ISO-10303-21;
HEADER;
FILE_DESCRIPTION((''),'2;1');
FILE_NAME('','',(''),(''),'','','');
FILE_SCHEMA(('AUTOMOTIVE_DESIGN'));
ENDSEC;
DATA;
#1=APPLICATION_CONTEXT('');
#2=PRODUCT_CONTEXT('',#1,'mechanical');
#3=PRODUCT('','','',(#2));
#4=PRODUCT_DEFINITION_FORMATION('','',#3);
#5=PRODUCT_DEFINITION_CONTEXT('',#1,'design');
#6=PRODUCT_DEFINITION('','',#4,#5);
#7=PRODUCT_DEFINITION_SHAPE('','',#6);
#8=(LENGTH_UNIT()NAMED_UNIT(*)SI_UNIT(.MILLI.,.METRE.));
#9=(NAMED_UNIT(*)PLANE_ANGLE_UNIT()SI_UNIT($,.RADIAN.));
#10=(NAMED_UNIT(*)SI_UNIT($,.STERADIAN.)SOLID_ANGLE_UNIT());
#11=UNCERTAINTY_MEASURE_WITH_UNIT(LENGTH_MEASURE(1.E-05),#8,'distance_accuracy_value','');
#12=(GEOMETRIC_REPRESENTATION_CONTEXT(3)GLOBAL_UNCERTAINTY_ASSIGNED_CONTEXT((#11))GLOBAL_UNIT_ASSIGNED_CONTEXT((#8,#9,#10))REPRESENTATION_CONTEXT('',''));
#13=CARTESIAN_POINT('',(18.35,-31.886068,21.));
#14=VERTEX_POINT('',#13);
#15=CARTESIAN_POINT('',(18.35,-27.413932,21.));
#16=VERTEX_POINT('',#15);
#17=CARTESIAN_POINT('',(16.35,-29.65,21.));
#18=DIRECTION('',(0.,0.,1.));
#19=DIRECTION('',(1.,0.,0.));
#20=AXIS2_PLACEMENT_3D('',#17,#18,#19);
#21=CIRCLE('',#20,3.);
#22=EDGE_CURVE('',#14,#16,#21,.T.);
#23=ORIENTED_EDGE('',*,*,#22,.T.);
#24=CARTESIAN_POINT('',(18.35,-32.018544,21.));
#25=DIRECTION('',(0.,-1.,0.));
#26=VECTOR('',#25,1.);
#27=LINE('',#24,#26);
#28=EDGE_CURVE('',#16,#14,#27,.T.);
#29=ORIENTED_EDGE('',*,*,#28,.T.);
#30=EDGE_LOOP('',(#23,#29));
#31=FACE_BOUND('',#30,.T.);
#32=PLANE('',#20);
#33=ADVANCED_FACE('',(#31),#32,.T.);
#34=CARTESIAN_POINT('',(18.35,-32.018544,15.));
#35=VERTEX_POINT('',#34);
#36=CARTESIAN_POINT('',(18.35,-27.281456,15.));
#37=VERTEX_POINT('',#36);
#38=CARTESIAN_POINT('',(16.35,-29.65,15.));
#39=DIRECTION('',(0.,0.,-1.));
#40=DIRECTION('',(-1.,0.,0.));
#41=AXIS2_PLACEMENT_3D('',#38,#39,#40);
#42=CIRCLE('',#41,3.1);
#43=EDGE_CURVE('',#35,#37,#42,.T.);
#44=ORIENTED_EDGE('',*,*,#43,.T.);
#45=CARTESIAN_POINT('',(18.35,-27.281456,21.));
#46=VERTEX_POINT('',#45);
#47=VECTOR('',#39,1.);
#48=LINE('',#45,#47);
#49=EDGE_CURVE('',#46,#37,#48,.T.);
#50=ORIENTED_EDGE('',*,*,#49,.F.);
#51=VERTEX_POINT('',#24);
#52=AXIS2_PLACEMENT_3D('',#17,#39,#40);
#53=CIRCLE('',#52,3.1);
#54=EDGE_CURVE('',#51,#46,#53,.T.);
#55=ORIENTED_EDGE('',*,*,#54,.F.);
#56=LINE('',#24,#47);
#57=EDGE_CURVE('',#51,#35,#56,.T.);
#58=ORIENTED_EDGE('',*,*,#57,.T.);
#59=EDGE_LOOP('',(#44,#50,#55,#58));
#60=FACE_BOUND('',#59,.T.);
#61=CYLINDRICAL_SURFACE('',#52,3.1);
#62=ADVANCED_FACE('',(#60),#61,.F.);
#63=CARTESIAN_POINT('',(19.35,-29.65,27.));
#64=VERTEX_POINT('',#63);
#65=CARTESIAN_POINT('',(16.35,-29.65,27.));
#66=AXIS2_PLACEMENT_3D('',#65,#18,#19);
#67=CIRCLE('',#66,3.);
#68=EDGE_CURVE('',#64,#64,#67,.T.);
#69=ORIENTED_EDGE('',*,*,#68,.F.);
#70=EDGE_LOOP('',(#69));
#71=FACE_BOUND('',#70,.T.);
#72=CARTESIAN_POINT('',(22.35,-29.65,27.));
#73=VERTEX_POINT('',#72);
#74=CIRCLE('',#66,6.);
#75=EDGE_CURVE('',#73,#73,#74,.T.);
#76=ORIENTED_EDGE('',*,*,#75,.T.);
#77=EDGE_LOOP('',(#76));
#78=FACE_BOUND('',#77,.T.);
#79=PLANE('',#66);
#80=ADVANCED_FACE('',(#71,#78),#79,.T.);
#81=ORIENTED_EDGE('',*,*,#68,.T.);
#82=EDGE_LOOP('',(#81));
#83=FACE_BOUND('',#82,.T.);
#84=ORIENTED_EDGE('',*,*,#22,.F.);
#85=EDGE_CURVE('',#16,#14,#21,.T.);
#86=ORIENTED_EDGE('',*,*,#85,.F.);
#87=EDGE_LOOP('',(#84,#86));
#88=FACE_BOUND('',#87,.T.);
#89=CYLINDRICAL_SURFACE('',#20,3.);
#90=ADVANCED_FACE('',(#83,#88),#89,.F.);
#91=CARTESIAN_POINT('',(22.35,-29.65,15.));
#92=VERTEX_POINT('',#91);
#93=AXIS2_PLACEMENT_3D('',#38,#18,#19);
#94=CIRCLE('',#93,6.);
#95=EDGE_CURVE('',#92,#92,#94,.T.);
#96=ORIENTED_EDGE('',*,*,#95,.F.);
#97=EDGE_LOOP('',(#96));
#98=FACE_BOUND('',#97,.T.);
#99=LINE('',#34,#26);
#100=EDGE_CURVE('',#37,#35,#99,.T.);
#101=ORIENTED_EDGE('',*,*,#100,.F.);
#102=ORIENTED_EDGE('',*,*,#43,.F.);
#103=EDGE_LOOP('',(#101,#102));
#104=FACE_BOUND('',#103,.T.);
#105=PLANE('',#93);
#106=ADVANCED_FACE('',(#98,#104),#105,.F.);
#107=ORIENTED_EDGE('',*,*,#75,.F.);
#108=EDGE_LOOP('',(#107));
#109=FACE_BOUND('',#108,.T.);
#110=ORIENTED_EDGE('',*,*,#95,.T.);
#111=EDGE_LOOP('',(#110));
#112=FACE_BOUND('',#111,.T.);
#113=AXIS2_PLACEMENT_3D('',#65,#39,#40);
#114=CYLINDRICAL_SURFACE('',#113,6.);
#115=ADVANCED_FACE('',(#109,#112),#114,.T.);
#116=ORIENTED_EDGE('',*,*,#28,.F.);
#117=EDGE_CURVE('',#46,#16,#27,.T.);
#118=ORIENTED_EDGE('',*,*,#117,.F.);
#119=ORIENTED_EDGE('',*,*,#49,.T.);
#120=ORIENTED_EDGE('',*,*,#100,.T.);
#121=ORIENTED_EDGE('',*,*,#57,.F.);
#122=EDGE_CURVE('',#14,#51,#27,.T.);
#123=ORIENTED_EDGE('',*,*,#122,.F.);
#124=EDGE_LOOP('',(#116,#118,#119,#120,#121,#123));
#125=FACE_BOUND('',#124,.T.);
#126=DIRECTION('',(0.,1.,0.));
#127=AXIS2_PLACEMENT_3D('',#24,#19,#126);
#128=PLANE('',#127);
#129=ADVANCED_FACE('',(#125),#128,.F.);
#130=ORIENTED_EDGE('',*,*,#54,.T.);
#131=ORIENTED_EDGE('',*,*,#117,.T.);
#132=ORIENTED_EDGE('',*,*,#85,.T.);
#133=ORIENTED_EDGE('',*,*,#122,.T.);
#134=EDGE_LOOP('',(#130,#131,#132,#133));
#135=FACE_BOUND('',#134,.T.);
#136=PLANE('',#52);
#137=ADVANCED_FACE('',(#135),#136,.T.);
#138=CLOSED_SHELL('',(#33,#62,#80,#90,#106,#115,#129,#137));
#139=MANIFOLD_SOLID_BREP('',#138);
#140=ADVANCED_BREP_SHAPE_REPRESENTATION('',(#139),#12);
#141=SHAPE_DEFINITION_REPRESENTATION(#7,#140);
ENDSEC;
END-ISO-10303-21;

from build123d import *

# Parameters (mm, degrees)
BOSS_EXTRUDE1_START = 15
SKETCH1_R           = 6
BOSS_EXTRUDE1_DEPTH = 12
CUT_EXTRUDE2_DEPTH  = 6
SKETCH2_R           = 3
CUT_EXTRUDE1_DEPTH  = 6


with BuildPart() as part:
    # Sketch1 → Boss-Extrude1 (new body)
    with BuildSketch(Plane.XY.offset(BOSS_EXTRUDE1_START)):
        with Locations((16.35, -29.65)):
            Circle(SKETCH1_R)
    extrude(amount=BOSS_EXTRUDE1_DEPTH)

    # Sketch3 → Cut-Extrude2 (cut)
    with BuildSketch(Plane(origin=(0, 0, 15), x_dir=(-1, 0, 0), z_dir=(0, 0, -1))):
        with BuildLine():
            Line((-18.35, -32.018543856), (-18.35, -27.281456144))
            ThreePointArc((-18.35, -27.281456144), (-13.25, -29.65), (-18.35, -32.018543856))
        make_face()
    extrude(amount=-CUT_EXTRUDE2_DEPTH, mode=Mode.SUBTRACT)

    # Sketch2 → Cut-Extrude1 (cut)
    with BuildSketch(Plane.XY.offset(27)):
        with Locations((16.35, -29.65)):
            Circle(SKETCH2_R)
    extrude(amount=-CUT_EXTRUDE1_DEPTH, mode=Mode.SUBTRACT)


solid = part.part
